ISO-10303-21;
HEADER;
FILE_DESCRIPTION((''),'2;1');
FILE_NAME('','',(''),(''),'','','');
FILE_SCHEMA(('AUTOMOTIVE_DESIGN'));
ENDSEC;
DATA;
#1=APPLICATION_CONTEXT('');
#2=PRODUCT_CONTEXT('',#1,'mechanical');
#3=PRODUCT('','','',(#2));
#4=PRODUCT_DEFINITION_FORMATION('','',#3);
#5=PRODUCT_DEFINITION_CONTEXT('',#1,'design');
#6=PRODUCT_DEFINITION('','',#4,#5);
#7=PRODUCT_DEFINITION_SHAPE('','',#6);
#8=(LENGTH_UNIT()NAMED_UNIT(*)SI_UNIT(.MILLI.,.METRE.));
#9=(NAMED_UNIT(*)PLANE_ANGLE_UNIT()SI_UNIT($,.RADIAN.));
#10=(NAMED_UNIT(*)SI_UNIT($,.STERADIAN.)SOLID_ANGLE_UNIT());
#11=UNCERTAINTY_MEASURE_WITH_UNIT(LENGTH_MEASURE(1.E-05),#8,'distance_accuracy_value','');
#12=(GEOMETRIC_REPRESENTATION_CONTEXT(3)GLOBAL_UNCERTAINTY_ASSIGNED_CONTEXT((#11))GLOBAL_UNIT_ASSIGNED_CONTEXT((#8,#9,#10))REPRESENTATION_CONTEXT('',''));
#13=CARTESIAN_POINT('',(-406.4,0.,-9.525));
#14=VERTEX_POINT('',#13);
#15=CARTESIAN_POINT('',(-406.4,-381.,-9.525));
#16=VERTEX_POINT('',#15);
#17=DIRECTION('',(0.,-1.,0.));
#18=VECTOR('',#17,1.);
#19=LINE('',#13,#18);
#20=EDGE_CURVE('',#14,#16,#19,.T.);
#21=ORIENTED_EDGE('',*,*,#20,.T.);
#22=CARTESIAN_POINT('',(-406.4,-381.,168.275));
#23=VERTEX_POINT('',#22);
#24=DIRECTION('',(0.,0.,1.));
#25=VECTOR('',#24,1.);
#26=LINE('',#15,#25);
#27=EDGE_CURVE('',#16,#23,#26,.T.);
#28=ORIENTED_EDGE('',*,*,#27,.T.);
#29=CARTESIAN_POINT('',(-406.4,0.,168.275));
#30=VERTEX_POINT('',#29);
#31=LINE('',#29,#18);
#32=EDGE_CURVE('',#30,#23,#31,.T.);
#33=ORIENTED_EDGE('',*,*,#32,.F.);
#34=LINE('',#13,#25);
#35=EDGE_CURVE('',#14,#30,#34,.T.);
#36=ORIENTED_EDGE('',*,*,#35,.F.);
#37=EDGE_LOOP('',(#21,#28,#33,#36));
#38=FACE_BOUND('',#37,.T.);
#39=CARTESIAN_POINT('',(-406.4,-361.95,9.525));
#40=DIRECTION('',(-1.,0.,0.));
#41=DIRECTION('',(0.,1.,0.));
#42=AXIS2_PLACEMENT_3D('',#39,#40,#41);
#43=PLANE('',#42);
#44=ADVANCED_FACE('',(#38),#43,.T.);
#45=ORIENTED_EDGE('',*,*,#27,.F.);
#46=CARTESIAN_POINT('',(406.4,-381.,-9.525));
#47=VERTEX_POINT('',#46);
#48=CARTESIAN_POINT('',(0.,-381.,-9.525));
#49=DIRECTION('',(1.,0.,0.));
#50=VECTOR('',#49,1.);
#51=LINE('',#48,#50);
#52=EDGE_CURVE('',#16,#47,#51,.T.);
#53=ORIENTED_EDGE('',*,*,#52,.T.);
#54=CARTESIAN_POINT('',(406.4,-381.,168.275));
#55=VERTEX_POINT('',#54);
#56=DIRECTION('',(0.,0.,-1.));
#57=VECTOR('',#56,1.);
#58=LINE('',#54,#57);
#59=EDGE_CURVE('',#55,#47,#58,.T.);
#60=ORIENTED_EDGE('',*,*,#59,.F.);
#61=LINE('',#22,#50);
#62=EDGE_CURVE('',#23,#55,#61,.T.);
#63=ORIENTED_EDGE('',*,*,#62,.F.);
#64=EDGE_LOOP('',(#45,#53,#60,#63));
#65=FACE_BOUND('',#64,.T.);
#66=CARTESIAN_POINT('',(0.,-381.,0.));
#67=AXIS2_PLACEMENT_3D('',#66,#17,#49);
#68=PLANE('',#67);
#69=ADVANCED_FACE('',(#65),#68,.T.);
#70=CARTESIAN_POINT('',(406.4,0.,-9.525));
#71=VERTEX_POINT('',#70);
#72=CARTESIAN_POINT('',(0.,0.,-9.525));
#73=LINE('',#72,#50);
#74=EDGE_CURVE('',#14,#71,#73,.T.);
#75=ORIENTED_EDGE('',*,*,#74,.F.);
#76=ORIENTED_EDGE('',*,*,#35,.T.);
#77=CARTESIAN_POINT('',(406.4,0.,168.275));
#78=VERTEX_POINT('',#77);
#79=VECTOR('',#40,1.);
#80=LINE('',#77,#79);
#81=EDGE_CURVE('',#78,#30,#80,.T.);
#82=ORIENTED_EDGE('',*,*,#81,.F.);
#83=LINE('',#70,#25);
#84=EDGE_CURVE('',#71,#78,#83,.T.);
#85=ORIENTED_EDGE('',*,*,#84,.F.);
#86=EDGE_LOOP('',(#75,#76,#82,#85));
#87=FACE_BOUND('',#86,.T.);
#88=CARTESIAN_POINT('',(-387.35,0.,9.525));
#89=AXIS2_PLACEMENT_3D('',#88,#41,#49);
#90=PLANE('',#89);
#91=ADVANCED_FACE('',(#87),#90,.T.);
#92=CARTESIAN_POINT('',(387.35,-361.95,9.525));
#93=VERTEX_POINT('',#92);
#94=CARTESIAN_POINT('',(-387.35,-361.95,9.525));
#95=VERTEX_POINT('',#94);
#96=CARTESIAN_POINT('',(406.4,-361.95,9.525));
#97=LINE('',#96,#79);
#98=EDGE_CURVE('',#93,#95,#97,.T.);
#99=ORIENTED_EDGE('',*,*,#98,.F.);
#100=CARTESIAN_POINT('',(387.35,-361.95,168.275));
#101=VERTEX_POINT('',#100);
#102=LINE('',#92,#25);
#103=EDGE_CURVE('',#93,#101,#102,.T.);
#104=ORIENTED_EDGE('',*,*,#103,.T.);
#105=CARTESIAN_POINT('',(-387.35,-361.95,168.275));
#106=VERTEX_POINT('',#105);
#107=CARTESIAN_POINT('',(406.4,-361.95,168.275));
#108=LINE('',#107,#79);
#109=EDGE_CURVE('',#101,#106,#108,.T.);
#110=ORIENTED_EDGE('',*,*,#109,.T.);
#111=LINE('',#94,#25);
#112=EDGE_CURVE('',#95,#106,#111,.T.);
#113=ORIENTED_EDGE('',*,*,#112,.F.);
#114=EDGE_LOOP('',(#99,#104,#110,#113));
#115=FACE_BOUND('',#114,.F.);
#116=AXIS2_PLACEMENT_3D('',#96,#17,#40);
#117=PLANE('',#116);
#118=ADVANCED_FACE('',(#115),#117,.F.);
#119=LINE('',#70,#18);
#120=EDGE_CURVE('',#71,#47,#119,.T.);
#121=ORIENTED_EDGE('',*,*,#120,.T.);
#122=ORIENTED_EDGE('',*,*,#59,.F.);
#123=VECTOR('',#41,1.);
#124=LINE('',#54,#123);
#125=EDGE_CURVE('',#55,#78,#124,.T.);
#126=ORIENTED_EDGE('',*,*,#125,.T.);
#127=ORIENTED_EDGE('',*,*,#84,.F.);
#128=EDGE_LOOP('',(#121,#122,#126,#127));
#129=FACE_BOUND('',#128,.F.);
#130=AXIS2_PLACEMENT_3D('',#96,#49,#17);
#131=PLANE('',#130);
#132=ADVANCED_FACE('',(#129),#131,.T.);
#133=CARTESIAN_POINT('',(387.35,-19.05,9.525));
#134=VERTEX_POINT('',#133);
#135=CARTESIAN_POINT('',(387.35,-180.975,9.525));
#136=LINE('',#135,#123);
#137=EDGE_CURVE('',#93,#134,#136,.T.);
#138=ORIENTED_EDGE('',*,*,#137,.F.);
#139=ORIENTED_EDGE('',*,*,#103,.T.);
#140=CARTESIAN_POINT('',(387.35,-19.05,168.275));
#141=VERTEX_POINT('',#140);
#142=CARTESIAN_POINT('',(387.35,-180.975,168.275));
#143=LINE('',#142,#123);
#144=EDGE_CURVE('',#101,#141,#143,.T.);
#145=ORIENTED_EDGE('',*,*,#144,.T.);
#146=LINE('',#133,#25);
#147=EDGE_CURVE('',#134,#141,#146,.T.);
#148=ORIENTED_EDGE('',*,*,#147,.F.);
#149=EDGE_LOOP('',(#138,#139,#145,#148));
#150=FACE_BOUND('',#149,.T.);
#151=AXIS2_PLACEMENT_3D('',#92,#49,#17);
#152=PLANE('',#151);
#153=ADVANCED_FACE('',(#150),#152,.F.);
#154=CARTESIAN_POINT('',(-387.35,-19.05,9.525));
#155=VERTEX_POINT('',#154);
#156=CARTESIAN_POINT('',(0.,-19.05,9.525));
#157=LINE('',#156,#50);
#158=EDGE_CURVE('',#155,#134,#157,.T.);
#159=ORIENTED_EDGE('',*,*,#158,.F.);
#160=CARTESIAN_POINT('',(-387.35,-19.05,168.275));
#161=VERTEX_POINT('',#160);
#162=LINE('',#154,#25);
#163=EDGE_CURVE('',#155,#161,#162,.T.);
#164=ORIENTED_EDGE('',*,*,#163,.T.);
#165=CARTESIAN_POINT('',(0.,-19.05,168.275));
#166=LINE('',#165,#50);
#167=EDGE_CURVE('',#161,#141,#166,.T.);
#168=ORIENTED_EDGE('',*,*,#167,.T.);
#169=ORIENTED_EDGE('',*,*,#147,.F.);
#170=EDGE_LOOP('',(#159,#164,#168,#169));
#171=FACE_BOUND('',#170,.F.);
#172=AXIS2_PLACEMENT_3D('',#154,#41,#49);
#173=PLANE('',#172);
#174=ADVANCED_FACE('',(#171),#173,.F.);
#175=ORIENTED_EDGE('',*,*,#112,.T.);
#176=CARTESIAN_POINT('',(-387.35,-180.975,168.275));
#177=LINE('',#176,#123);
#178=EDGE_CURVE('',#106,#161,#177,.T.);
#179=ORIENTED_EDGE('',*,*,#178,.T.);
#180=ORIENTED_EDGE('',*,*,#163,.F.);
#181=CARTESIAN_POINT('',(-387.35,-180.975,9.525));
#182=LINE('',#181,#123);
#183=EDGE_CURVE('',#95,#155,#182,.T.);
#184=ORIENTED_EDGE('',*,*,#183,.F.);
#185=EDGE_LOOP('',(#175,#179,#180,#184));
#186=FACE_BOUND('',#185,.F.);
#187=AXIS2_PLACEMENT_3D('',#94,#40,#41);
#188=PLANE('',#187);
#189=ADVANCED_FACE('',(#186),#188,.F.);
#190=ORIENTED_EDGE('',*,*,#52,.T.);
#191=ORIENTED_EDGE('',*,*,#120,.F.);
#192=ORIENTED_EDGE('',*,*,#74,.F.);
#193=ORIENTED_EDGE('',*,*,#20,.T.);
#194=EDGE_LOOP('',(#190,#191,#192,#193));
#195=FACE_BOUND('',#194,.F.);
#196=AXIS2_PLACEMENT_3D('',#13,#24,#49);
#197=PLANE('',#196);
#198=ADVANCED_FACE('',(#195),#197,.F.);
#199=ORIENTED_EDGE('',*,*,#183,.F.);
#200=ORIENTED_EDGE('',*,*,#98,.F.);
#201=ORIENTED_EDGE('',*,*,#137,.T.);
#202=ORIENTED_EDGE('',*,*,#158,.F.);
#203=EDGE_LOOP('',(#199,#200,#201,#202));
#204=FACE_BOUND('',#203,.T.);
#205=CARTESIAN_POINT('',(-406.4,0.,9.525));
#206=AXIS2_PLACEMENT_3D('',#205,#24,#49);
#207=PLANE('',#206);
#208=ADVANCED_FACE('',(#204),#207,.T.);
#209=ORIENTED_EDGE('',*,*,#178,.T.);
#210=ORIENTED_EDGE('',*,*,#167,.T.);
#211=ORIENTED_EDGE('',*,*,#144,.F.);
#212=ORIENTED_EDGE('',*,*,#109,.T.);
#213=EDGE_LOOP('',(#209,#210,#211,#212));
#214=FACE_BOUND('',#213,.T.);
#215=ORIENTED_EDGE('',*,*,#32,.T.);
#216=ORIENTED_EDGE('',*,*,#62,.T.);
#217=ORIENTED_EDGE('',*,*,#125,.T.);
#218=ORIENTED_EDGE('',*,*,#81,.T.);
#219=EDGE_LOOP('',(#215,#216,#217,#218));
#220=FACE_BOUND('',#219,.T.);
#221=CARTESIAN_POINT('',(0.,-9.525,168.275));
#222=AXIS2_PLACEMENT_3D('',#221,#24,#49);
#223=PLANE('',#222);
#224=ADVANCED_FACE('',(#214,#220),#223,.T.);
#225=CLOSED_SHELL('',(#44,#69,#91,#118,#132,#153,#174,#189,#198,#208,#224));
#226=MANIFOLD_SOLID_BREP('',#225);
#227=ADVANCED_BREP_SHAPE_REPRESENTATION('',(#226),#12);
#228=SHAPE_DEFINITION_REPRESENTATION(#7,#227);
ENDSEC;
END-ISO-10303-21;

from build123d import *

# Parameters (mm, degrees)
F0_W     = 812.8
F0_H     = 19.05
F1_DEPTH = 381
F2_W     = 19.05
F2_H     = 361.95
F3_DEPTH = 158.75
F5_W     = 774.7
F5_H     = 19.05
F6_DEPTH = 158.75


with BuildPart() as f1:
    # F0 (on Front) → F1 (new body)
    with BuildSketch(Plane.XZ):
        Rectangle(F0_W, F0_H)
    extrude(amount=F1_DEPTH)

    # F2 (on face) → F3 (join)
    with BuildSketch(Plane.XY.offset(9.525)):
        with Locations((-396.875, -180.975)):
            Rectangle(F2_W, F2_H)
    extrude(amount=F3_DEPTH)

    # F4: F1 across plane


with BuildPart() as f1_1:
    add(f1.part)
    add(f1.part.mirror(Plane.YZ))

    # F5 (on face) → F6 (join, through all)
    with BuildSketch(Plane.XY.offset(9.525)):
        with Locations((0, -9.525)):
            Rectangle(F5_W, F5_H)
        Polygon((387.35, -361.95), (-387.35, -361.95), (-406.4, -361.95), (-406.4, -381), (406.4, -381), (406.4, -361.95), align=None)
    extrude(amount=F6_DEPTH)


solid = f1_1.part
